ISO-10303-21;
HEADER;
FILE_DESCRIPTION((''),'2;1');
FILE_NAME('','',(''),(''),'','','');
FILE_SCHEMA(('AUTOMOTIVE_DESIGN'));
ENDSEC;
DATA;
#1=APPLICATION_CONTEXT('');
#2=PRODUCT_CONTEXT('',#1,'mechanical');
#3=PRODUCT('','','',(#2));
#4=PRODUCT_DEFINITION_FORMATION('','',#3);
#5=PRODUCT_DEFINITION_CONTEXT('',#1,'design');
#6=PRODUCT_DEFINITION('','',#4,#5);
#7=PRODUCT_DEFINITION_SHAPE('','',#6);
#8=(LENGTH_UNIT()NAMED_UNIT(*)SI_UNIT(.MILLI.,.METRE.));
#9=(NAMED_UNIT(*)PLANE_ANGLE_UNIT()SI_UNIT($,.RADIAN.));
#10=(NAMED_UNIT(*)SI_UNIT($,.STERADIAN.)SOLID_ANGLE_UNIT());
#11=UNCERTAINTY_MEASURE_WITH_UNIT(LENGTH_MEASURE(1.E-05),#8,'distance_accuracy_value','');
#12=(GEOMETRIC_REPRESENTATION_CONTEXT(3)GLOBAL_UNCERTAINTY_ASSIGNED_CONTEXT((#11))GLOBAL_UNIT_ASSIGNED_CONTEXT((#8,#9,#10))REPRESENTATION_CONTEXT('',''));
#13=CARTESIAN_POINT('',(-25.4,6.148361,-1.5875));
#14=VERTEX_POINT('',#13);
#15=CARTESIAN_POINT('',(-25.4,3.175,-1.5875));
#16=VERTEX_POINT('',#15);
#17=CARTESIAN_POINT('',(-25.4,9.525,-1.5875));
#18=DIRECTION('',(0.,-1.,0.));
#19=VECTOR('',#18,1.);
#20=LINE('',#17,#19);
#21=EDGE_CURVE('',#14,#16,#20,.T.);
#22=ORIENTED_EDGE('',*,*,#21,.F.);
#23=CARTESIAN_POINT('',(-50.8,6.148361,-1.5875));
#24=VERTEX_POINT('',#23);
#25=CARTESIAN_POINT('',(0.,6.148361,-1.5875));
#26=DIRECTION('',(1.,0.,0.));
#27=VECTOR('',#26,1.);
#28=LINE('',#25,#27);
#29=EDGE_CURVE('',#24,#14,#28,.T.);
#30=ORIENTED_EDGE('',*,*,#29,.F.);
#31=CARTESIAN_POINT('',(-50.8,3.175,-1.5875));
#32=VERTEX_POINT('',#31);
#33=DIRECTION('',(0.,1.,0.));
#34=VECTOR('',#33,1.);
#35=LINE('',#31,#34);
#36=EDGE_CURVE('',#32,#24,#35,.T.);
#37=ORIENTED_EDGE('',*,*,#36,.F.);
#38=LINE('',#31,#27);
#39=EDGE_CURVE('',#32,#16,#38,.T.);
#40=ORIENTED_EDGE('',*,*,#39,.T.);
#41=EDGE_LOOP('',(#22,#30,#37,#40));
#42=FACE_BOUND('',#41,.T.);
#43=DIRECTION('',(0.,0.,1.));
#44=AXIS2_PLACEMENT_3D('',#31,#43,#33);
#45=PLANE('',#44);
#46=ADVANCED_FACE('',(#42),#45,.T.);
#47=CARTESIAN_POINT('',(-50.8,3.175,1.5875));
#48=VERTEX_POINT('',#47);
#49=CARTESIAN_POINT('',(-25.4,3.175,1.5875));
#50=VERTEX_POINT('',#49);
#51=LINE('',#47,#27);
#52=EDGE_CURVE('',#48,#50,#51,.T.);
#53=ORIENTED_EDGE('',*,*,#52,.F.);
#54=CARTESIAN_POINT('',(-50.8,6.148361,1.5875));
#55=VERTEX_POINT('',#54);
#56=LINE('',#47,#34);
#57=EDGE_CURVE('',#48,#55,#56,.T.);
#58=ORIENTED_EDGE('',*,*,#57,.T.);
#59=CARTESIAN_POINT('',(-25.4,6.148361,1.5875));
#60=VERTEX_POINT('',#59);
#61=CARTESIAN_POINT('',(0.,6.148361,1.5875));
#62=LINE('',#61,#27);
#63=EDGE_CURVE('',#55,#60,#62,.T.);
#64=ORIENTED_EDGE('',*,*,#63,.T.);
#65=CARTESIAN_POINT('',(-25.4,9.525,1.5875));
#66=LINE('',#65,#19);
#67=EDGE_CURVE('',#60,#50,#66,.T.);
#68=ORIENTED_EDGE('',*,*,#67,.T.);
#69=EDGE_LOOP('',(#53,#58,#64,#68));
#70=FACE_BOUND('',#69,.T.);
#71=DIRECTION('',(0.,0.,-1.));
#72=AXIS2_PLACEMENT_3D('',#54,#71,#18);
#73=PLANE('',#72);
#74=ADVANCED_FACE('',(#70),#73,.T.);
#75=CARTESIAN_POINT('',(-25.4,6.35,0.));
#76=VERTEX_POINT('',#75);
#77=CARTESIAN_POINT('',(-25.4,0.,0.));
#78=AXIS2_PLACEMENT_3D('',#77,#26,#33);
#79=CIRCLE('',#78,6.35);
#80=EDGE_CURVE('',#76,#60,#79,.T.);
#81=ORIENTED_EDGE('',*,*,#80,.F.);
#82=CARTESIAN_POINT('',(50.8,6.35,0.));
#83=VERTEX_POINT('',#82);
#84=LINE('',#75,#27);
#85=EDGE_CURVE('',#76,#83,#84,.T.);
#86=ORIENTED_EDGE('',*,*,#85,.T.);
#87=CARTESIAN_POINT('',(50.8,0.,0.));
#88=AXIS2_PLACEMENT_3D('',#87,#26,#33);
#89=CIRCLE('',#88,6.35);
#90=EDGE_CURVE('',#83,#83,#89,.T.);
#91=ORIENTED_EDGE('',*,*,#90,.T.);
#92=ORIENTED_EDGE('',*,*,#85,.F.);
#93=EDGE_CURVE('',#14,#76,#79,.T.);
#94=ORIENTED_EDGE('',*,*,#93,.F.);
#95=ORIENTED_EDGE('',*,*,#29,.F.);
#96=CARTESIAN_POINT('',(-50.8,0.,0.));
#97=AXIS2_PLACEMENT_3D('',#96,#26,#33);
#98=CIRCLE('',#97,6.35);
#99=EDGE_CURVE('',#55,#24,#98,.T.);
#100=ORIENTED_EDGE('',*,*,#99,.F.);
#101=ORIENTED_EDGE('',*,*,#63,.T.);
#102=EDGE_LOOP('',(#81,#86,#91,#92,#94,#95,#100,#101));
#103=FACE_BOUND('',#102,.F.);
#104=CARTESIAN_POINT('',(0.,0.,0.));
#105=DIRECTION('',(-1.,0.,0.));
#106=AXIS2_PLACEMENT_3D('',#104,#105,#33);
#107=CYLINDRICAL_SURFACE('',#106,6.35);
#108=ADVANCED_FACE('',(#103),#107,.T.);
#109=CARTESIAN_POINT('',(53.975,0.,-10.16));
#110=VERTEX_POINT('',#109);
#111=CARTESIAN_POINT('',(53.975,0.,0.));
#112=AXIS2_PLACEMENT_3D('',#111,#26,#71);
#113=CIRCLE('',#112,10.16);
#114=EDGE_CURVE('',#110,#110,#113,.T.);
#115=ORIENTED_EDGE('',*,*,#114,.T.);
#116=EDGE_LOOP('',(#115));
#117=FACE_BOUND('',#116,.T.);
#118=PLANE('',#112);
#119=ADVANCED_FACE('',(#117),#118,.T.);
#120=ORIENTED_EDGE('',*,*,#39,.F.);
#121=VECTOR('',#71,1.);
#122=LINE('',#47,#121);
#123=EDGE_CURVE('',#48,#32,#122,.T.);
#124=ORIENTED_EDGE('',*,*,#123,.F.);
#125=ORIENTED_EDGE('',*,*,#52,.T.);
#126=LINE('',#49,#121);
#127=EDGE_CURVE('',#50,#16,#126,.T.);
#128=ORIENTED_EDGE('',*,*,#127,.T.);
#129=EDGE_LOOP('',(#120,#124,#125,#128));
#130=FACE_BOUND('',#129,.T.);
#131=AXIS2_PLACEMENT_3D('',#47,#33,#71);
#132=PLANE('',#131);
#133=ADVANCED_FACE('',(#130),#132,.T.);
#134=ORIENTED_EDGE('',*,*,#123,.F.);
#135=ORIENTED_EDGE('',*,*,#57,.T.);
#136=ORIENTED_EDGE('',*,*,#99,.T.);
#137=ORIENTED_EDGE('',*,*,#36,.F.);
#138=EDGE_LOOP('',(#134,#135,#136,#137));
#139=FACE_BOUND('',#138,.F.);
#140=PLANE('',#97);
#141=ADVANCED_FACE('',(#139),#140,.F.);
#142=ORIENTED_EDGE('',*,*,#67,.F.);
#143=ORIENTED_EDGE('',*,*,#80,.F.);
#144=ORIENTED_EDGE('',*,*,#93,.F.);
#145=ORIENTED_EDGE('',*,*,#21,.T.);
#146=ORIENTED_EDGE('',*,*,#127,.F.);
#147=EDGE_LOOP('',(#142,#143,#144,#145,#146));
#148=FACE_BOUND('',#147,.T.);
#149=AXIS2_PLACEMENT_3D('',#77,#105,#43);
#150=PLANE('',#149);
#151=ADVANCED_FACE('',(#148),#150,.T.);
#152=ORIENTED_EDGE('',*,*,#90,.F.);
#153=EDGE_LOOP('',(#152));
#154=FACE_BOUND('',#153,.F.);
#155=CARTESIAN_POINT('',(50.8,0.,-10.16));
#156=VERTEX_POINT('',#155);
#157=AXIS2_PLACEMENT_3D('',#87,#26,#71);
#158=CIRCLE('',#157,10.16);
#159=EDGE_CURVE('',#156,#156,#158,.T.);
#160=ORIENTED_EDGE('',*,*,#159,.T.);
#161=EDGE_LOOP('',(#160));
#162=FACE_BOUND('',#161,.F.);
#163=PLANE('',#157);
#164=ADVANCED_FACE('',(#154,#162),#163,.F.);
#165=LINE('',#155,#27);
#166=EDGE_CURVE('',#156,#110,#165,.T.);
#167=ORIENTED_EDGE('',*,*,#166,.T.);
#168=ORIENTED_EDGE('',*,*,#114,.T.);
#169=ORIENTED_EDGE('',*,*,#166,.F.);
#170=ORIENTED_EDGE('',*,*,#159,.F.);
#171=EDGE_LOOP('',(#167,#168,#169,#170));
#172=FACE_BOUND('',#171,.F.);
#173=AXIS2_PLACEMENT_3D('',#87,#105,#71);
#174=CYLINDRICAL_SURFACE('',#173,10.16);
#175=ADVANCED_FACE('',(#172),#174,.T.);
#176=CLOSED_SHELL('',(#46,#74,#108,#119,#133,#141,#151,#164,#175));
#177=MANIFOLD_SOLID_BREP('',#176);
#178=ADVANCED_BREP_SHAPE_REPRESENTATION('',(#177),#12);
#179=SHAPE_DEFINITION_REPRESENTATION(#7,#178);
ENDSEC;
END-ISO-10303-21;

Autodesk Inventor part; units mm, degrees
ref_plane "YZ Plane" through (0, 0, 0) normal (1, 0, 0) x (0, 1, 0)
ref_plane "XZ Plane" through (0, 0, 0) normal (0, 1, 0) x (-1, 0, 0)
ref_plane "XY Plane" through (0, 0, 0) normal (0, 0, 1) x (1, 0, 0)
sketch "Sketch1" plane through (0, 0, 0) normal (1, 0, 0) x (0, 1, 0)
  circle A0 centre (0, 0) radius 6.35
  dimension "d0" = 12.7
extrude "Extrusion1" add sketch "Sketch1" along normal mid plane 101.6
sketch "Sketch2" plane through (50.8, 0, 0) normal (1, 0, 0) x (0, 0, -1)
  circle A0 centre (0, 0) radius 10.16
  dimension "d3" = 20.32
extrude "Extrusion2" add sketch "Sketch2" along normal blind 3.175
sketch "Sketch3" plane through (-50.8, 0, 0) normal (-1, 0, 0) x (0, 0, 1)
  line L0 (-1.5875, 3.175) -> (-1.5875, 9.525)
  line L1 (-1.5875, 9.525) -> (1.5875, 9.525)
  line L2 (1.5875, 9.525) -> (1.5875, 3.175)
  line L3 (1.5875, 3.175) -> (-1.5875, 3.175)
  circle A0 centre (0, 0) radius 6.35 projected
  line L4 (-1.5875, 3.175) -> (1.5875, 9.525) construction
  line L5 (-1.5875, 9.525) -> (1.5875, 3.175) construction
  point P0 (0, 6.35)
  dimension "d6" = 6.35
  dimension "d7" = 3.175
extrude "Extrusion3" cut sketch "Sketch3" against normal blind 25.4 contours L0 A0 L2 L3 | L0 L1 L2 A0 picked at (-0.1781, 4.2258)
sketch "Sketch4" plane through (-50.8, 3.175, 1.5875) normal (0, 0, -1) x (-1, 0, 0)
  point P0 (-50.8, -3.175)
properties part number "handle insert"
